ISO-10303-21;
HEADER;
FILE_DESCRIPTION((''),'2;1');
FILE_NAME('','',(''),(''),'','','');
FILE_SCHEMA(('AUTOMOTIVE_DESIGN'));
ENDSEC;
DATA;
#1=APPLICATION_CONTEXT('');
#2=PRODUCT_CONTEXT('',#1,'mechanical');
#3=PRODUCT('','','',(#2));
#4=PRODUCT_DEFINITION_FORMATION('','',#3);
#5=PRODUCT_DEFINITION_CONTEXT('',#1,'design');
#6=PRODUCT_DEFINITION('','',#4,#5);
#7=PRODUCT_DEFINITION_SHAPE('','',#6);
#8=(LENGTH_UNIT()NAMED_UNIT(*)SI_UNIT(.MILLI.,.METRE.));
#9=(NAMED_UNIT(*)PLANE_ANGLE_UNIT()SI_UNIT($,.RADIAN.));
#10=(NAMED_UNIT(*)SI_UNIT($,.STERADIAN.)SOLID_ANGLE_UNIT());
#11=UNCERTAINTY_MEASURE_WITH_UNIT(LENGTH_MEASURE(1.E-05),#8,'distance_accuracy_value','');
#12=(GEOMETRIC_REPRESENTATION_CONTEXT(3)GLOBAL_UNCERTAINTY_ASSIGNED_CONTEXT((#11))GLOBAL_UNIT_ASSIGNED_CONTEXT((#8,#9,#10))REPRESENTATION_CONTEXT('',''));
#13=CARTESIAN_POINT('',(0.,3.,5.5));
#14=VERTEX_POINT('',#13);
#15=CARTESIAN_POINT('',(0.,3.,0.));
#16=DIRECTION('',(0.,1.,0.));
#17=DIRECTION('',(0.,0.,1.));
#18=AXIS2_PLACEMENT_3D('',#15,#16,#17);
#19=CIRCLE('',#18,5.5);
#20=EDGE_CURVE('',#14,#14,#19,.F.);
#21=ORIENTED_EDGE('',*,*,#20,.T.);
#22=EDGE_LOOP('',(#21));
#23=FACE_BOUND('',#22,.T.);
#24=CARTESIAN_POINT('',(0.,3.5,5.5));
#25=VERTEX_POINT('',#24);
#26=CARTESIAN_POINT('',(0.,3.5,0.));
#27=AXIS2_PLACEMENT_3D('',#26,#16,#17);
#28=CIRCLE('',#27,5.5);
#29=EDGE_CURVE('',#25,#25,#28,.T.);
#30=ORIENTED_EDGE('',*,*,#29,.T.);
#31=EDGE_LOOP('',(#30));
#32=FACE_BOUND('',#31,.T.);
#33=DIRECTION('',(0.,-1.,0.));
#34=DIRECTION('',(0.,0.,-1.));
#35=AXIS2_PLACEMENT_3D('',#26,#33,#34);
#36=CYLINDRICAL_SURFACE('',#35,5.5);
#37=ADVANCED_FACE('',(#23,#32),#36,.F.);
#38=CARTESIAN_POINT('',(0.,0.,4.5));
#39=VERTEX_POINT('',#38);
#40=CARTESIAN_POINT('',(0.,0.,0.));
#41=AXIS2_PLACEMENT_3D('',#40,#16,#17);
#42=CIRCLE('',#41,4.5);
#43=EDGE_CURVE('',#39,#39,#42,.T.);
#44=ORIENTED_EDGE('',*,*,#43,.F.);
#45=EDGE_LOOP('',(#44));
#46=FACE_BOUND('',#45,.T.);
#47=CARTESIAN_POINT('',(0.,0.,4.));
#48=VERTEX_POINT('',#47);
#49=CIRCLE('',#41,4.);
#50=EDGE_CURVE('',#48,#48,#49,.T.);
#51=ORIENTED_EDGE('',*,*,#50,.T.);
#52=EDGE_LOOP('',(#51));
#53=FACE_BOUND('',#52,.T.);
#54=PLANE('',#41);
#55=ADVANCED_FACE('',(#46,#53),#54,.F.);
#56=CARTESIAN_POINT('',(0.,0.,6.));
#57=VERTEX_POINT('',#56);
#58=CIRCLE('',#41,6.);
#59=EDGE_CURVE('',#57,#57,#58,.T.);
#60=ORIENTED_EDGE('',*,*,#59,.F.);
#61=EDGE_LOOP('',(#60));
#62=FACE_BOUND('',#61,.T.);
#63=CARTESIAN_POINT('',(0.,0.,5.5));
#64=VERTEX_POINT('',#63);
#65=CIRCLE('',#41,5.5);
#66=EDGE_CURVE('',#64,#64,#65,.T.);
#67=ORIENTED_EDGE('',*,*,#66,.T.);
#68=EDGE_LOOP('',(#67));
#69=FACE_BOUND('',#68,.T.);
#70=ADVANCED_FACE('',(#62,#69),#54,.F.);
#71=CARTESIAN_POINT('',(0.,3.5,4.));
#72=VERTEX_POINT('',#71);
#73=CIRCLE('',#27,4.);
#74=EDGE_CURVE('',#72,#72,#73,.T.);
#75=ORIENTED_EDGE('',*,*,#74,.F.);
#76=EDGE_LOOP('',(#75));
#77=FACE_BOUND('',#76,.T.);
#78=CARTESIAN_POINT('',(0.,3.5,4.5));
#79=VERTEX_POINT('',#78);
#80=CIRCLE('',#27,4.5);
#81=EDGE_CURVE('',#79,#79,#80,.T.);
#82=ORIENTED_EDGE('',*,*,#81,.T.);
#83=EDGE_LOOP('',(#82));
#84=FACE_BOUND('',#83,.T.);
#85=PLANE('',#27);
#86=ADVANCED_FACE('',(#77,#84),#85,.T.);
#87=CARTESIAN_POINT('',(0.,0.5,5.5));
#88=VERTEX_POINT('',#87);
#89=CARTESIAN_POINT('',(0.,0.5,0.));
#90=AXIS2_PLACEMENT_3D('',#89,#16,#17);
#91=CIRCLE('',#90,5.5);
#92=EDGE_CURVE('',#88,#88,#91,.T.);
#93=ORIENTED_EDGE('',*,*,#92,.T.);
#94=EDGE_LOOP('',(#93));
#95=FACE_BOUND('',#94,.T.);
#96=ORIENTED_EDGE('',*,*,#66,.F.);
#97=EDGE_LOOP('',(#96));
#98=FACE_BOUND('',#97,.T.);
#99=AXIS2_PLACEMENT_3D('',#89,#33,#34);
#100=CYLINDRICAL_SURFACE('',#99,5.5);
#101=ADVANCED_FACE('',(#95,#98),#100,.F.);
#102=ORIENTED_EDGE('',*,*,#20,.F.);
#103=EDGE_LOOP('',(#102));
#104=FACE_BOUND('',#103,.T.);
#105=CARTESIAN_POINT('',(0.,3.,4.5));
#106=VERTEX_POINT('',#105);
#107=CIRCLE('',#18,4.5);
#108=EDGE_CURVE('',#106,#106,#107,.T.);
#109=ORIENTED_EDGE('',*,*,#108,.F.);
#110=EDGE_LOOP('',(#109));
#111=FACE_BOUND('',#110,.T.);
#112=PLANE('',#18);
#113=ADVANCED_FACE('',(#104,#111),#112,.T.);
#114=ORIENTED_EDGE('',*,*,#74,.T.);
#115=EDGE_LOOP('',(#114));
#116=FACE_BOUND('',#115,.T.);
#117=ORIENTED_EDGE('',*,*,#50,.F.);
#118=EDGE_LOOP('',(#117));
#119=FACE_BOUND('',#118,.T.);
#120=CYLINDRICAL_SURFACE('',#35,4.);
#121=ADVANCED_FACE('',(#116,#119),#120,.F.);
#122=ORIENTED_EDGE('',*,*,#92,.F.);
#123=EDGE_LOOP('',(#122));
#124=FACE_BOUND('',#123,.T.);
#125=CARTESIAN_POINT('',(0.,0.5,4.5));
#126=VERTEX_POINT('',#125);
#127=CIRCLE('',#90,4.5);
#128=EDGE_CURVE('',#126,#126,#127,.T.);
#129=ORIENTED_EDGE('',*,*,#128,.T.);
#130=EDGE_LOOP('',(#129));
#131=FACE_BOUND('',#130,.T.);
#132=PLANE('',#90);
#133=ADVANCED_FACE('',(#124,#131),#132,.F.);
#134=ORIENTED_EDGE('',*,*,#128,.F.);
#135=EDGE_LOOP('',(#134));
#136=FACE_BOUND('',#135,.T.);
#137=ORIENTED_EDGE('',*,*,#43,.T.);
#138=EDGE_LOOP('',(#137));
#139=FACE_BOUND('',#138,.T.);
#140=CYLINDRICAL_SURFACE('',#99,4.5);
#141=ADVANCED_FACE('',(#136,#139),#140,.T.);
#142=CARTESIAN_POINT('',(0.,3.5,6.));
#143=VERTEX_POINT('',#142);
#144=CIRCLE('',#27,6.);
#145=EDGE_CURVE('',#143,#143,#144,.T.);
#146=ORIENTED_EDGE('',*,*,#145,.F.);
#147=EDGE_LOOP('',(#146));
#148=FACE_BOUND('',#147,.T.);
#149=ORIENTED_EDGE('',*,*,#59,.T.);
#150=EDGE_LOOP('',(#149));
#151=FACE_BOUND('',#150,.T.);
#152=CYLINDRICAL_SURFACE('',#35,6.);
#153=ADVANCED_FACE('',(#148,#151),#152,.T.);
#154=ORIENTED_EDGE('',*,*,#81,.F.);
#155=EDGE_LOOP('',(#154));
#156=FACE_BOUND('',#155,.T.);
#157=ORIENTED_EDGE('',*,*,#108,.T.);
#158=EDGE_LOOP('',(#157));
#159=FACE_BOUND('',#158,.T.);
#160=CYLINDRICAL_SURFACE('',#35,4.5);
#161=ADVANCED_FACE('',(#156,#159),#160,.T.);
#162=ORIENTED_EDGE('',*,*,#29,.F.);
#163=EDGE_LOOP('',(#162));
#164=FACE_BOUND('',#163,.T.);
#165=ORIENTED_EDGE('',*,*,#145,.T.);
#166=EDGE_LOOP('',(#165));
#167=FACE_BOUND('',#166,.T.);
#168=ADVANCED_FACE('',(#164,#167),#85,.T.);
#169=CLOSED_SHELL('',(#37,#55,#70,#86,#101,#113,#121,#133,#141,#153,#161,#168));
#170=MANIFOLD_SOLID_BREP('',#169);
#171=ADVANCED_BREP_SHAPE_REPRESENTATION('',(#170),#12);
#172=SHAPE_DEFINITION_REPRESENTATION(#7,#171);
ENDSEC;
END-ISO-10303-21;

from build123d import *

# Parameters (mm, degrees)
SKETCH_1_R          = 4.5
SKETCH_1_R_2        = 4
EXTRUDE_1_DEPTH     = 3.5
SKETCH_1_3_R        = 5.5
SKETCH_1_3_R_2      = 4.5
EXTRUDE_2_DEPTH     = 3
SKETCH_1_4_R        = 6
SKETCH_1_4_R_2      = 5.5
EXTRUDE_3_DEPTH     = 3.5
SKETCH_1_5_R        = 5.5
SKETCH_1_5_R_2      = 4.5
CUT_EXTRUDE_1_DEPTH = 0.5


with BuildPart() as part:
    # 草图1 → 凸台-拉伸1 (new body)
    with BuildSketch(Plane(origin=(0, 0, 0), x_dir=(1, 0, 0), z_dir=(0, 1, 0))):
        Circle(SKETCH_1_R)
        Circle(SKETCH_1_R_2, mode=Mode.SUBTRACT)
    extrude(amount=EXTRUDE_1_DEPTH)

    # 草图1<3> → 凸台-拉伸2 (add)
    with BuildSketch(Plane(origin=(0, 0, 0), x_dir=(1, 0, 0), z_dir=(0, 1, 0))):
        Circle(SKETCH_1_3_R)
        Circle(SKETCH_1_3_R_2, mode=Mode.SUBTRACT)
    extrude(amount=EXTRUDE_2_DEPTH)

    # 草图1<4> → 凸台-拉伸3 (add)
    with BuildSketch(Plane(origin=(0, 0, 0), x_dir=(1, 0, 0), z_dir=(0, 1, 0))):
        Circle(SKETCH_1_4_R)
        Circle(SKETCH_1_4_R_2, mode=Mode.SUBTRACT)
    extrude(amount=EXTRUDE_3_DEPTH)

    # 草图1<5> → 切除-拉伸1 (cut)
    with BuildSketch(Plane(origin=(0, 0, 0), x_dir=(1, 0, 0), z_dir=(0, 1, 0))):
        Circle(SKETCH_1_5_R)
        Circle(SKETCH_1_5_R_2, mode=Mode.SUBTRACT)
    extrude(amount=CUT_EXTRUDE_1_DEPTH, mode=Mode.SUBTRACT)


solid = part.part
